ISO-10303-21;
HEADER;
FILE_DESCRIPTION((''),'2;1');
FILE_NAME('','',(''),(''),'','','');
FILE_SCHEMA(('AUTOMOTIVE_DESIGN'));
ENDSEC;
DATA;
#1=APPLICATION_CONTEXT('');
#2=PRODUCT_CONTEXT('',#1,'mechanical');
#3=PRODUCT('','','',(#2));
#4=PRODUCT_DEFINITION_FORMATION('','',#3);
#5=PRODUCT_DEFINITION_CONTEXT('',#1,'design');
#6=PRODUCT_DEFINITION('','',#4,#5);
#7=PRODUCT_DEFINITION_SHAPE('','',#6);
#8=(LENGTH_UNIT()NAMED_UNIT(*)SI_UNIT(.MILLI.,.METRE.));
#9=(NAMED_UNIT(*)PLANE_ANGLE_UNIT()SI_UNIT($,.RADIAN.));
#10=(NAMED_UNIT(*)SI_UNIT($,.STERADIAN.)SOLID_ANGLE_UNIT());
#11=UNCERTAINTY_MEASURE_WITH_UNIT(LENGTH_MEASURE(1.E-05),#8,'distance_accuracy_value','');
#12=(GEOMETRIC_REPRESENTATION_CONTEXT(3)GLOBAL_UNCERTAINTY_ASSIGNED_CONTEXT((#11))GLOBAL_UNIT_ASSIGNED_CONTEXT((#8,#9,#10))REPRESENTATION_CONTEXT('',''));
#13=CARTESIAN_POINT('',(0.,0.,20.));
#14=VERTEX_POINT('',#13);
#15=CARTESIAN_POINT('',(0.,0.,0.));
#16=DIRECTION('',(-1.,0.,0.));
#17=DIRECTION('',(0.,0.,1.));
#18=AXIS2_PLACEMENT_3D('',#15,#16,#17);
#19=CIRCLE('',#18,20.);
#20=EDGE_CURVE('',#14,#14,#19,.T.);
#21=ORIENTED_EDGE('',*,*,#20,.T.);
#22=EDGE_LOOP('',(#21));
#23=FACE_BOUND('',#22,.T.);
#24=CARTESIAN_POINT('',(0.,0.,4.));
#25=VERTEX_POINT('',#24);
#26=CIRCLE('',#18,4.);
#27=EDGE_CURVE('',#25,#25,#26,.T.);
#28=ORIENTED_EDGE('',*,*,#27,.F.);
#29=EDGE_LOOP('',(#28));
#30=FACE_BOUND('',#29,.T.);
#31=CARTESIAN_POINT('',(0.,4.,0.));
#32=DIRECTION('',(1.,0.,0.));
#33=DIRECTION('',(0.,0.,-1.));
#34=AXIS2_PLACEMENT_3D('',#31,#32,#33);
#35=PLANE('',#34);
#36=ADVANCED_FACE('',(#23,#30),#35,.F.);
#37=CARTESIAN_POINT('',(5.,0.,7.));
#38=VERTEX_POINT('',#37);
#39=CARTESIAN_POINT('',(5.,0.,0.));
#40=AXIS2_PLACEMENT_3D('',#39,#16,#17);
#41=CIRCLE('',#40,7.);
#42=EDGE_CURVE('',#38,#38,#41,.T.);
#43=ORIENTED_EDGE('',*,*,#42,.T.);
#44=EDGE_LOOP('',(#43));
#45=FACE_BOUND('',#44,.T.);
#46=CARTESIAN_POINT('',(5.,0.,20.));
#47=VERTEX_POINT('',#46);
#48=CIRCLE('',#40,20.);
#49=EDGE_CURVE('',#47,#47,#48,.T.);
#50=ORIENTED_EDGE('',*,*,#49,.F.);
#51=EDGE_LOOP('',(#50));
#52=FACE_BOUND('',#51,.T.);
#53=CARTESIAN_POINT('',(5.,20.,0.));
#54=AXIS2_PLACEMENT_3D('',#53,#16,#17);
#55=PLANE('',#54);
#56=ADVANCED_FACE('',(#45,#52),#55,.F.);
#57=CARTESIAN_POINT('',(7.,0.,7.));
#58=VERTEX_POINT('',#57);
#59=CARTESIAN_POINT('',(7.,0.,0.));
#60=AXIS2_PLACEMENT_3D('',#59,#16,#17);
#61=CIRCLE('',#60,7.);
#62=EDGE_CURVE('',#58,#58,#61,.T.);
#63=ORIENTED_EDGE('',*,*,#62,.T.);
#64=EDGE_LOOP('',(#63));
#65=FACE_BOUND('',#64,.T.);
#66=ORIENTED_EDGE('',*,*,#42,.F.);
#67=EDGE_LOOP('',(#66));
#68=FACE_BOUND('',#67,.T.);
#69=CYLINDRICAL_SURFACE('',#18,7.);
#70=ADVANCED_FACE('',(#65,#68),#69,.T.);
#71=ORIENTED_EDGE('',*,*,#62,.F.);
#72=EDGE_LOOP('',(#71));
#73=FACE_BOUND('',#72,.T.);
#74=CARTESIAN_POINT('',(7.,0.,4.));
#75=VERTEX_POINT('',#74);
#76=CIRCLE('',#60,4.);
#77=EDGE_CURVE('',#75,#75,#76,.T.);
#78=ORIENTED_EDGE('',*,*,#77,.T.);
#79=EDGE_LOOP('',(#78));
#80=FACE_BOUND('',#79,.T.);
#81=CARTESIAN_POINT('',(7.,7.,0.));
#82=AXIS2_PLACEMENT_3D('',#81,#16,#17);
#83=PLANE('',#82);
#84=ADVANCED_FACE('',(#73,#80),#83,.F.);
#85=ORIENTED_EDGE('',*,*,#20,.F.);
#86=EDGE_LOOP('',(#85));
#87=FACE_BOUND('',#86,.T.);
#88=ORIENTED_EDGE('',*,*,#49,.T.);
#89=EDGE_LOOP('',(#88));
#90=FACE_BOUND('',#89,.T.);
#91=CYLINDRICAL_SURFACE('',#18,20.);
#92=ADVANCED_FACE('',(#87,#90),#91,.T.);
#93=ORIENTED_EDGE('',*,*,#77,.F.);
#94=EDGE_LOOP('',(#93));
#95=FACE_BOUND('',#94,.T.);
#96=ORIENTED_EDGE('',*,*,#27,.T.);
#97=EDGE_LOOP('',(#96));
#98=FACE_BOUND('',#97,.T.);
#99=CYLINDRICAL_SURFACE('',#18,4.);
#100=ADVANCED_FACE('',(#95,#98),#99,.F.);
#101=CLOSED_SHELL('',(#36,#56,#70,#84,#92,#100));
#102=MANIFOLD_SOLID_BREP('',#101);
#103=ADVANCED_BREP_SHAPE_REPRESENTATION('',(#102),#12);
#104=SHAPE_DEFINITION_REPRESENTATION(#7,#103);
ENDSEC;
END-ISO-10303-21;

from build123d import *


with BuildPart() as part:
    # Esquisse1 → Révolution1 (revolve)
    with BuildSketch(Plane.XY, mode=Mode.PRIVATE) as r_volution1_sk:
        Polygon((0, 5.746678801), (0, 20), (5, 20), (5, 7), (7, 7), (7, 4), (0, 4), align=None)
    revolve(r_volution1_sk.sketch.rotate(Axis((0, 0, 0), (1, 0, 0)), 90), axis=Axis((0, 0, 0), (1, 0, 0)))


solid = part.part
